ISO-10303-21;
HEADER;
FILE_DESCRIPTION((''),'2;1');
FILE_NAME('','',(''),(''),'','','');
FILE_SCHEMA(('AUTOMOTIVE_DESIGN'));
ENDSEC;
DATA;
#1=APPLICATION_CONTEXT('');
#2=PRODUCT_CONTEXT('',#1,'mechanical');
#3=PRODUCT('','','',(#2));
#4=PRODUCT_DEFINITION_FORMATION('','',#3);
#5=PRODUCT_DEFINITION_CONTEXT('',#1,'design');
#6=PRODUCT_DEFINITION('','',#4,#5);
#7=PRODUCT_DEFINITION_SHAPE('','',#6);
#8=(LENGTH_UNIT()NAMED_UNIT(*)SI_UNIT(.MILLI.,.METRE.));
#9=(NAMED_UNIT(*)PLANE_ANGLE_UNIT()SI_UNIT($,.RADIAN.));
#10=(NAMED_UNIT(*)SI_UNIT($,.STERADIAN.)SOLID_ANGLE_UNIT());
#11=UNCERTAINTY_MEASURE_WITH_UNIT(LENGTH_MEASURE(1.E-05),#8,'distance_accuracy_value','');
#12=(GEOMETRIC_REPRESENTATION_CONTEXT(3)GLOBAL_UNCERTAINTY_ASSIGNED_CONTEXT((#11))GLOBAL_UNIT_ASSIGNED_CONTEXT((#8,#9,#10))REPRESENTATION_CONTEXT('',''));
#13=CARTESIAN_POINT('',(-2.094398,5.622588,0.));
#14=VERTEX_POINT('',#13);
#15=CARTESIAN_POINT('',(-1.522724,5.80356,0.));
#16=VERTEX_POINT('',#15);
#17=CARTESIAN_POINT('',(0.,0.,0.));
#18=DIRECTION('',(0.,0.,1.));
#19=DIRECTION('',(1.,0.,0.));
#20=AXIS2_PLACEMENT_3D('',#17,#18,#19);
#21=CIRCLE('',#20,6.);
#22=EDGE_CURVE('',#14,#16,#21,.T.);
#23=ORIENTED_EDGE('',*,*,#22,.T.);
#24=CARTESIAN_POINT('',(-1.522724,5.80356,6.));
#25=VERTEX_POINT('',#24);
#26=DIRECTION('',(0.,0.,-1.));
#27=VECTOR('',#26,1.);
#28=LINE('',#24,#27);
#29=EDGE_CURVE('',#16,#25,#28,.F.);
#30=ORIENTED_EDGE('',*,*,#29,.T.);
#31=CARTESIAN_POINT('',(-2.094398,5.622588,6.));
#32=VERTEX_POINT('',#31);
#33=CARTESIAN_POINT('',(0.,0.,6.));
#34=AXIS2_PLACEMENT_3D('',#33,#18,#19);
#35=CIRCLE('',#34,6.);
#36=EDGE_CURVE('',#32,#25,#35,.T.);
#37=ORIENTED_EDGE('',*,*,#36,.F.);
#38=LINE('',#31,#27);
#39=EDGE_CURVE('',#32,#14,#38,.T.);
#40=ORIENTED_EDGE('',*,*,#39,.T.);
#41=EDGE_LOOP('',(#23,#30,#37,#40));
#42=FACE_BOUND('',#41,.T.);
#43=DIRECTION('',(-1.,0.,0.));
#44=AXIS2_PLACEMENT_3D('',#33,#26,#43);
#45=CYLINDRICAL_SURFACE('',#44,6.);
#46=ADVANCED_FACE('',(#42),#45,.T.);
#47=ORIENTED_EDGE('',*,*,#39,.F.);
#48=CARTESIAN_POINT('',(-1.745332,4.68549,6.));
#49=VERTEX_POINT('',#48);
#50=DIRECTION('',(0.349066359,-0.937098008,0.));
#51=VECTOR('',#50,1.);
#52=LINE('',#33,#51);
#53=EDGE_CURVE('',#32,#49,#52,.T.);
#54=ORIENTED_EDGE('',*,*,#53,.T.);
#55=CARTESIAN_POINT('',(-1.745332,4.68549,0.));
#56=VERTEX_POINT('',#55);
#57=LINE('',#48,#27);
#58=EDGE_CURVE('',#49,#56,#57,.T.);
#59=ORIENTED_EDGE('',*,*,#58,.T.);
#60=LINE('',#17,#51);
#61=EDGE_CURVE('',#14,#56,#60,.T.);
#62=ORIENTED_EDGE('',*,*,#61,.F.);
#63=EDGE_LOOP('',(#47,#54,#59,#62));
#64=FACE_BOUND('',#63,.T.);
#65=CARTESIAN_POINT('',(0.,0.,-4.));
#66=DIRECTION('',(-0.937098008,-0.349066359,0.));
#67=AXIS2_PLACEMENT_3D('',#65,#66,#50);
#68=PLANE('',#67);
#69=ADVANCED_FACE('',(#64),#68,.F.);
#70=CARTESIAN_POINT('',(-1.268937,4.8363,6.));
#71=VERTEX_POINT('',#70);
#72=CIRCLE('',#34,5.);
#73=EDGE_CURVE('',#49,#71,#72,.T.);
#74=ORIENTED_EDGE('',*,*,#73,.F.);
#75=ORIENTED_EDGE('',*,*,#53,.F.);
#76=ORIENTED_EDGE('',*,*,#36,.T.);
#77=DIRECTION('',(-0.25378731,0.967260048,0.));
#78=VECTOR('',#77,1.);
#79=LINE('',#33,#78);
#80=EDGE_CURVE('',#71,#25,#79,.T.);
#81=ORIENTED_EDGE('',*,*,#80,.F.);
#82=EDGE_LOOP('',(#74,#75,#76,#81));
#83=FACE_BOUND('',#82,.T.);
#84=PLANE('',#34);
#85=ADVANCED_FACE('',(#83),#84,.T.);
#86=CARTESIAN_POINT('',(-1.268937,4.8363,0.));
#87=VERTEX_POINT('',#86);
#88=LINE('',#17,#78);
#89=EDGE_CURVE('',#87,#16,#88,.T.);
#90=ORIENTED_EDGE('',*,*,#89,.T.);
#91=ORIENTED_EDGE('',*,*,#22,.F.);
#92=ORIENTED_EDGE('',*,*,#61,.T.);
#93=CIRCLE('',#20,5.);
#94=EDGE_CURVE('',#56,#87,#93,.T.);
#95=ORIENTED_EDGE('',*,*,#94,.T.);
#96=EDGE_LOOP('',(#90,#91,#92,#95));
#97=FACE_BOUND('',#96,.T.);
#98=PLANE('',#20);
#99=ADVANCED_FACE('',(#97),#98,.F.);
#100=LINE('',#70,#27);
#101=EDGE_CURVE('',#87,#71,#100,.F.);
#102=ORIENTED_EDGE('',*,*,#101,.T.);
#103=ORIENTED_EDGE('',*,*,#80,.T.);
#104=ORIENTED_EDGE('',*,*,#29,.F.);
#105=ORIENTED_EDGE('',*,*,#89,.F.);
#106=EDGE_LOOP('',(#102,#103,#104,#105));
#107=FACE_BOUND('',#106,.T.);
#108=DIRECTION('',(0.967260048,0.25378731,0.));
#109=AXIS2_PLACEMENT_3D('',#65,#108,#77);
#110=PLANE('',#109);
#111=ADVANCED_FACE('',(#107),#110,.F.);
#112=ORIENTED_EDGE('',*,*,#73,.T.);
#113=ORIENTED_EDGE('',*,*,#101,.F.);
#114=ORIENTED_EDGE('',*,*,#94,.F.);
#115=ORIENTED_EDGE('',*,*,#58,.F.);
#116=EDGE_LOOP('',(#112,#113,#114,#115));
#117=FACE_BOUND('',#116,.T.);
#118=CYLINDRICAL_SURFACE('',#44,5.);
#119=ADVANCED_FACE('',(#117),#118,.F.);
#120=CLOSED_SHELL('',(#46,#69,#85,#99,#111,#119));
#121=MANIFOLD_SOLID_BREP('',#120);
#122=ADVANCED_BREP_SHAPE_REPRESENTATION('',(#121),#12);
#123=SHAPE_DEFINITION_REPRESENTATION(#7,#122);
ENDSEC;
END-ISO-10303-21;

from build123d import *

# Parameters (mm, degrees)
SKETCH_1_R          = 6
SKETCH_1_R_2        = 5
EXTRUDE_1_DEPTH     = 6
CUT_EXTRUDE_1_DEPTH = 10


with BuildPart() as part:
    # 草图1 → 凸台-拉伸1 (new body)
    with BuildSketch(Plane.XY):
        Circle(SKETCH_1_R)
        Circle(SKETCH_1_R_2, mode=Mode.SUBTRACT)
    extrude(amount=EXTRUDE_1_DEPTH)

    # 草图2 → 切除-拉伸1 (cut)
    with BuildSketch(Plane.XY.offset(6)):
        Polygon((0, 0), (-3.579836115, 9.610371215), (-2.615768577, 9.969483648), align=None)
    extrude(amount=-CUT_EXTRUDE_1_DEPTH, mode=Mode.SUBTRACT)


solid = part.part
